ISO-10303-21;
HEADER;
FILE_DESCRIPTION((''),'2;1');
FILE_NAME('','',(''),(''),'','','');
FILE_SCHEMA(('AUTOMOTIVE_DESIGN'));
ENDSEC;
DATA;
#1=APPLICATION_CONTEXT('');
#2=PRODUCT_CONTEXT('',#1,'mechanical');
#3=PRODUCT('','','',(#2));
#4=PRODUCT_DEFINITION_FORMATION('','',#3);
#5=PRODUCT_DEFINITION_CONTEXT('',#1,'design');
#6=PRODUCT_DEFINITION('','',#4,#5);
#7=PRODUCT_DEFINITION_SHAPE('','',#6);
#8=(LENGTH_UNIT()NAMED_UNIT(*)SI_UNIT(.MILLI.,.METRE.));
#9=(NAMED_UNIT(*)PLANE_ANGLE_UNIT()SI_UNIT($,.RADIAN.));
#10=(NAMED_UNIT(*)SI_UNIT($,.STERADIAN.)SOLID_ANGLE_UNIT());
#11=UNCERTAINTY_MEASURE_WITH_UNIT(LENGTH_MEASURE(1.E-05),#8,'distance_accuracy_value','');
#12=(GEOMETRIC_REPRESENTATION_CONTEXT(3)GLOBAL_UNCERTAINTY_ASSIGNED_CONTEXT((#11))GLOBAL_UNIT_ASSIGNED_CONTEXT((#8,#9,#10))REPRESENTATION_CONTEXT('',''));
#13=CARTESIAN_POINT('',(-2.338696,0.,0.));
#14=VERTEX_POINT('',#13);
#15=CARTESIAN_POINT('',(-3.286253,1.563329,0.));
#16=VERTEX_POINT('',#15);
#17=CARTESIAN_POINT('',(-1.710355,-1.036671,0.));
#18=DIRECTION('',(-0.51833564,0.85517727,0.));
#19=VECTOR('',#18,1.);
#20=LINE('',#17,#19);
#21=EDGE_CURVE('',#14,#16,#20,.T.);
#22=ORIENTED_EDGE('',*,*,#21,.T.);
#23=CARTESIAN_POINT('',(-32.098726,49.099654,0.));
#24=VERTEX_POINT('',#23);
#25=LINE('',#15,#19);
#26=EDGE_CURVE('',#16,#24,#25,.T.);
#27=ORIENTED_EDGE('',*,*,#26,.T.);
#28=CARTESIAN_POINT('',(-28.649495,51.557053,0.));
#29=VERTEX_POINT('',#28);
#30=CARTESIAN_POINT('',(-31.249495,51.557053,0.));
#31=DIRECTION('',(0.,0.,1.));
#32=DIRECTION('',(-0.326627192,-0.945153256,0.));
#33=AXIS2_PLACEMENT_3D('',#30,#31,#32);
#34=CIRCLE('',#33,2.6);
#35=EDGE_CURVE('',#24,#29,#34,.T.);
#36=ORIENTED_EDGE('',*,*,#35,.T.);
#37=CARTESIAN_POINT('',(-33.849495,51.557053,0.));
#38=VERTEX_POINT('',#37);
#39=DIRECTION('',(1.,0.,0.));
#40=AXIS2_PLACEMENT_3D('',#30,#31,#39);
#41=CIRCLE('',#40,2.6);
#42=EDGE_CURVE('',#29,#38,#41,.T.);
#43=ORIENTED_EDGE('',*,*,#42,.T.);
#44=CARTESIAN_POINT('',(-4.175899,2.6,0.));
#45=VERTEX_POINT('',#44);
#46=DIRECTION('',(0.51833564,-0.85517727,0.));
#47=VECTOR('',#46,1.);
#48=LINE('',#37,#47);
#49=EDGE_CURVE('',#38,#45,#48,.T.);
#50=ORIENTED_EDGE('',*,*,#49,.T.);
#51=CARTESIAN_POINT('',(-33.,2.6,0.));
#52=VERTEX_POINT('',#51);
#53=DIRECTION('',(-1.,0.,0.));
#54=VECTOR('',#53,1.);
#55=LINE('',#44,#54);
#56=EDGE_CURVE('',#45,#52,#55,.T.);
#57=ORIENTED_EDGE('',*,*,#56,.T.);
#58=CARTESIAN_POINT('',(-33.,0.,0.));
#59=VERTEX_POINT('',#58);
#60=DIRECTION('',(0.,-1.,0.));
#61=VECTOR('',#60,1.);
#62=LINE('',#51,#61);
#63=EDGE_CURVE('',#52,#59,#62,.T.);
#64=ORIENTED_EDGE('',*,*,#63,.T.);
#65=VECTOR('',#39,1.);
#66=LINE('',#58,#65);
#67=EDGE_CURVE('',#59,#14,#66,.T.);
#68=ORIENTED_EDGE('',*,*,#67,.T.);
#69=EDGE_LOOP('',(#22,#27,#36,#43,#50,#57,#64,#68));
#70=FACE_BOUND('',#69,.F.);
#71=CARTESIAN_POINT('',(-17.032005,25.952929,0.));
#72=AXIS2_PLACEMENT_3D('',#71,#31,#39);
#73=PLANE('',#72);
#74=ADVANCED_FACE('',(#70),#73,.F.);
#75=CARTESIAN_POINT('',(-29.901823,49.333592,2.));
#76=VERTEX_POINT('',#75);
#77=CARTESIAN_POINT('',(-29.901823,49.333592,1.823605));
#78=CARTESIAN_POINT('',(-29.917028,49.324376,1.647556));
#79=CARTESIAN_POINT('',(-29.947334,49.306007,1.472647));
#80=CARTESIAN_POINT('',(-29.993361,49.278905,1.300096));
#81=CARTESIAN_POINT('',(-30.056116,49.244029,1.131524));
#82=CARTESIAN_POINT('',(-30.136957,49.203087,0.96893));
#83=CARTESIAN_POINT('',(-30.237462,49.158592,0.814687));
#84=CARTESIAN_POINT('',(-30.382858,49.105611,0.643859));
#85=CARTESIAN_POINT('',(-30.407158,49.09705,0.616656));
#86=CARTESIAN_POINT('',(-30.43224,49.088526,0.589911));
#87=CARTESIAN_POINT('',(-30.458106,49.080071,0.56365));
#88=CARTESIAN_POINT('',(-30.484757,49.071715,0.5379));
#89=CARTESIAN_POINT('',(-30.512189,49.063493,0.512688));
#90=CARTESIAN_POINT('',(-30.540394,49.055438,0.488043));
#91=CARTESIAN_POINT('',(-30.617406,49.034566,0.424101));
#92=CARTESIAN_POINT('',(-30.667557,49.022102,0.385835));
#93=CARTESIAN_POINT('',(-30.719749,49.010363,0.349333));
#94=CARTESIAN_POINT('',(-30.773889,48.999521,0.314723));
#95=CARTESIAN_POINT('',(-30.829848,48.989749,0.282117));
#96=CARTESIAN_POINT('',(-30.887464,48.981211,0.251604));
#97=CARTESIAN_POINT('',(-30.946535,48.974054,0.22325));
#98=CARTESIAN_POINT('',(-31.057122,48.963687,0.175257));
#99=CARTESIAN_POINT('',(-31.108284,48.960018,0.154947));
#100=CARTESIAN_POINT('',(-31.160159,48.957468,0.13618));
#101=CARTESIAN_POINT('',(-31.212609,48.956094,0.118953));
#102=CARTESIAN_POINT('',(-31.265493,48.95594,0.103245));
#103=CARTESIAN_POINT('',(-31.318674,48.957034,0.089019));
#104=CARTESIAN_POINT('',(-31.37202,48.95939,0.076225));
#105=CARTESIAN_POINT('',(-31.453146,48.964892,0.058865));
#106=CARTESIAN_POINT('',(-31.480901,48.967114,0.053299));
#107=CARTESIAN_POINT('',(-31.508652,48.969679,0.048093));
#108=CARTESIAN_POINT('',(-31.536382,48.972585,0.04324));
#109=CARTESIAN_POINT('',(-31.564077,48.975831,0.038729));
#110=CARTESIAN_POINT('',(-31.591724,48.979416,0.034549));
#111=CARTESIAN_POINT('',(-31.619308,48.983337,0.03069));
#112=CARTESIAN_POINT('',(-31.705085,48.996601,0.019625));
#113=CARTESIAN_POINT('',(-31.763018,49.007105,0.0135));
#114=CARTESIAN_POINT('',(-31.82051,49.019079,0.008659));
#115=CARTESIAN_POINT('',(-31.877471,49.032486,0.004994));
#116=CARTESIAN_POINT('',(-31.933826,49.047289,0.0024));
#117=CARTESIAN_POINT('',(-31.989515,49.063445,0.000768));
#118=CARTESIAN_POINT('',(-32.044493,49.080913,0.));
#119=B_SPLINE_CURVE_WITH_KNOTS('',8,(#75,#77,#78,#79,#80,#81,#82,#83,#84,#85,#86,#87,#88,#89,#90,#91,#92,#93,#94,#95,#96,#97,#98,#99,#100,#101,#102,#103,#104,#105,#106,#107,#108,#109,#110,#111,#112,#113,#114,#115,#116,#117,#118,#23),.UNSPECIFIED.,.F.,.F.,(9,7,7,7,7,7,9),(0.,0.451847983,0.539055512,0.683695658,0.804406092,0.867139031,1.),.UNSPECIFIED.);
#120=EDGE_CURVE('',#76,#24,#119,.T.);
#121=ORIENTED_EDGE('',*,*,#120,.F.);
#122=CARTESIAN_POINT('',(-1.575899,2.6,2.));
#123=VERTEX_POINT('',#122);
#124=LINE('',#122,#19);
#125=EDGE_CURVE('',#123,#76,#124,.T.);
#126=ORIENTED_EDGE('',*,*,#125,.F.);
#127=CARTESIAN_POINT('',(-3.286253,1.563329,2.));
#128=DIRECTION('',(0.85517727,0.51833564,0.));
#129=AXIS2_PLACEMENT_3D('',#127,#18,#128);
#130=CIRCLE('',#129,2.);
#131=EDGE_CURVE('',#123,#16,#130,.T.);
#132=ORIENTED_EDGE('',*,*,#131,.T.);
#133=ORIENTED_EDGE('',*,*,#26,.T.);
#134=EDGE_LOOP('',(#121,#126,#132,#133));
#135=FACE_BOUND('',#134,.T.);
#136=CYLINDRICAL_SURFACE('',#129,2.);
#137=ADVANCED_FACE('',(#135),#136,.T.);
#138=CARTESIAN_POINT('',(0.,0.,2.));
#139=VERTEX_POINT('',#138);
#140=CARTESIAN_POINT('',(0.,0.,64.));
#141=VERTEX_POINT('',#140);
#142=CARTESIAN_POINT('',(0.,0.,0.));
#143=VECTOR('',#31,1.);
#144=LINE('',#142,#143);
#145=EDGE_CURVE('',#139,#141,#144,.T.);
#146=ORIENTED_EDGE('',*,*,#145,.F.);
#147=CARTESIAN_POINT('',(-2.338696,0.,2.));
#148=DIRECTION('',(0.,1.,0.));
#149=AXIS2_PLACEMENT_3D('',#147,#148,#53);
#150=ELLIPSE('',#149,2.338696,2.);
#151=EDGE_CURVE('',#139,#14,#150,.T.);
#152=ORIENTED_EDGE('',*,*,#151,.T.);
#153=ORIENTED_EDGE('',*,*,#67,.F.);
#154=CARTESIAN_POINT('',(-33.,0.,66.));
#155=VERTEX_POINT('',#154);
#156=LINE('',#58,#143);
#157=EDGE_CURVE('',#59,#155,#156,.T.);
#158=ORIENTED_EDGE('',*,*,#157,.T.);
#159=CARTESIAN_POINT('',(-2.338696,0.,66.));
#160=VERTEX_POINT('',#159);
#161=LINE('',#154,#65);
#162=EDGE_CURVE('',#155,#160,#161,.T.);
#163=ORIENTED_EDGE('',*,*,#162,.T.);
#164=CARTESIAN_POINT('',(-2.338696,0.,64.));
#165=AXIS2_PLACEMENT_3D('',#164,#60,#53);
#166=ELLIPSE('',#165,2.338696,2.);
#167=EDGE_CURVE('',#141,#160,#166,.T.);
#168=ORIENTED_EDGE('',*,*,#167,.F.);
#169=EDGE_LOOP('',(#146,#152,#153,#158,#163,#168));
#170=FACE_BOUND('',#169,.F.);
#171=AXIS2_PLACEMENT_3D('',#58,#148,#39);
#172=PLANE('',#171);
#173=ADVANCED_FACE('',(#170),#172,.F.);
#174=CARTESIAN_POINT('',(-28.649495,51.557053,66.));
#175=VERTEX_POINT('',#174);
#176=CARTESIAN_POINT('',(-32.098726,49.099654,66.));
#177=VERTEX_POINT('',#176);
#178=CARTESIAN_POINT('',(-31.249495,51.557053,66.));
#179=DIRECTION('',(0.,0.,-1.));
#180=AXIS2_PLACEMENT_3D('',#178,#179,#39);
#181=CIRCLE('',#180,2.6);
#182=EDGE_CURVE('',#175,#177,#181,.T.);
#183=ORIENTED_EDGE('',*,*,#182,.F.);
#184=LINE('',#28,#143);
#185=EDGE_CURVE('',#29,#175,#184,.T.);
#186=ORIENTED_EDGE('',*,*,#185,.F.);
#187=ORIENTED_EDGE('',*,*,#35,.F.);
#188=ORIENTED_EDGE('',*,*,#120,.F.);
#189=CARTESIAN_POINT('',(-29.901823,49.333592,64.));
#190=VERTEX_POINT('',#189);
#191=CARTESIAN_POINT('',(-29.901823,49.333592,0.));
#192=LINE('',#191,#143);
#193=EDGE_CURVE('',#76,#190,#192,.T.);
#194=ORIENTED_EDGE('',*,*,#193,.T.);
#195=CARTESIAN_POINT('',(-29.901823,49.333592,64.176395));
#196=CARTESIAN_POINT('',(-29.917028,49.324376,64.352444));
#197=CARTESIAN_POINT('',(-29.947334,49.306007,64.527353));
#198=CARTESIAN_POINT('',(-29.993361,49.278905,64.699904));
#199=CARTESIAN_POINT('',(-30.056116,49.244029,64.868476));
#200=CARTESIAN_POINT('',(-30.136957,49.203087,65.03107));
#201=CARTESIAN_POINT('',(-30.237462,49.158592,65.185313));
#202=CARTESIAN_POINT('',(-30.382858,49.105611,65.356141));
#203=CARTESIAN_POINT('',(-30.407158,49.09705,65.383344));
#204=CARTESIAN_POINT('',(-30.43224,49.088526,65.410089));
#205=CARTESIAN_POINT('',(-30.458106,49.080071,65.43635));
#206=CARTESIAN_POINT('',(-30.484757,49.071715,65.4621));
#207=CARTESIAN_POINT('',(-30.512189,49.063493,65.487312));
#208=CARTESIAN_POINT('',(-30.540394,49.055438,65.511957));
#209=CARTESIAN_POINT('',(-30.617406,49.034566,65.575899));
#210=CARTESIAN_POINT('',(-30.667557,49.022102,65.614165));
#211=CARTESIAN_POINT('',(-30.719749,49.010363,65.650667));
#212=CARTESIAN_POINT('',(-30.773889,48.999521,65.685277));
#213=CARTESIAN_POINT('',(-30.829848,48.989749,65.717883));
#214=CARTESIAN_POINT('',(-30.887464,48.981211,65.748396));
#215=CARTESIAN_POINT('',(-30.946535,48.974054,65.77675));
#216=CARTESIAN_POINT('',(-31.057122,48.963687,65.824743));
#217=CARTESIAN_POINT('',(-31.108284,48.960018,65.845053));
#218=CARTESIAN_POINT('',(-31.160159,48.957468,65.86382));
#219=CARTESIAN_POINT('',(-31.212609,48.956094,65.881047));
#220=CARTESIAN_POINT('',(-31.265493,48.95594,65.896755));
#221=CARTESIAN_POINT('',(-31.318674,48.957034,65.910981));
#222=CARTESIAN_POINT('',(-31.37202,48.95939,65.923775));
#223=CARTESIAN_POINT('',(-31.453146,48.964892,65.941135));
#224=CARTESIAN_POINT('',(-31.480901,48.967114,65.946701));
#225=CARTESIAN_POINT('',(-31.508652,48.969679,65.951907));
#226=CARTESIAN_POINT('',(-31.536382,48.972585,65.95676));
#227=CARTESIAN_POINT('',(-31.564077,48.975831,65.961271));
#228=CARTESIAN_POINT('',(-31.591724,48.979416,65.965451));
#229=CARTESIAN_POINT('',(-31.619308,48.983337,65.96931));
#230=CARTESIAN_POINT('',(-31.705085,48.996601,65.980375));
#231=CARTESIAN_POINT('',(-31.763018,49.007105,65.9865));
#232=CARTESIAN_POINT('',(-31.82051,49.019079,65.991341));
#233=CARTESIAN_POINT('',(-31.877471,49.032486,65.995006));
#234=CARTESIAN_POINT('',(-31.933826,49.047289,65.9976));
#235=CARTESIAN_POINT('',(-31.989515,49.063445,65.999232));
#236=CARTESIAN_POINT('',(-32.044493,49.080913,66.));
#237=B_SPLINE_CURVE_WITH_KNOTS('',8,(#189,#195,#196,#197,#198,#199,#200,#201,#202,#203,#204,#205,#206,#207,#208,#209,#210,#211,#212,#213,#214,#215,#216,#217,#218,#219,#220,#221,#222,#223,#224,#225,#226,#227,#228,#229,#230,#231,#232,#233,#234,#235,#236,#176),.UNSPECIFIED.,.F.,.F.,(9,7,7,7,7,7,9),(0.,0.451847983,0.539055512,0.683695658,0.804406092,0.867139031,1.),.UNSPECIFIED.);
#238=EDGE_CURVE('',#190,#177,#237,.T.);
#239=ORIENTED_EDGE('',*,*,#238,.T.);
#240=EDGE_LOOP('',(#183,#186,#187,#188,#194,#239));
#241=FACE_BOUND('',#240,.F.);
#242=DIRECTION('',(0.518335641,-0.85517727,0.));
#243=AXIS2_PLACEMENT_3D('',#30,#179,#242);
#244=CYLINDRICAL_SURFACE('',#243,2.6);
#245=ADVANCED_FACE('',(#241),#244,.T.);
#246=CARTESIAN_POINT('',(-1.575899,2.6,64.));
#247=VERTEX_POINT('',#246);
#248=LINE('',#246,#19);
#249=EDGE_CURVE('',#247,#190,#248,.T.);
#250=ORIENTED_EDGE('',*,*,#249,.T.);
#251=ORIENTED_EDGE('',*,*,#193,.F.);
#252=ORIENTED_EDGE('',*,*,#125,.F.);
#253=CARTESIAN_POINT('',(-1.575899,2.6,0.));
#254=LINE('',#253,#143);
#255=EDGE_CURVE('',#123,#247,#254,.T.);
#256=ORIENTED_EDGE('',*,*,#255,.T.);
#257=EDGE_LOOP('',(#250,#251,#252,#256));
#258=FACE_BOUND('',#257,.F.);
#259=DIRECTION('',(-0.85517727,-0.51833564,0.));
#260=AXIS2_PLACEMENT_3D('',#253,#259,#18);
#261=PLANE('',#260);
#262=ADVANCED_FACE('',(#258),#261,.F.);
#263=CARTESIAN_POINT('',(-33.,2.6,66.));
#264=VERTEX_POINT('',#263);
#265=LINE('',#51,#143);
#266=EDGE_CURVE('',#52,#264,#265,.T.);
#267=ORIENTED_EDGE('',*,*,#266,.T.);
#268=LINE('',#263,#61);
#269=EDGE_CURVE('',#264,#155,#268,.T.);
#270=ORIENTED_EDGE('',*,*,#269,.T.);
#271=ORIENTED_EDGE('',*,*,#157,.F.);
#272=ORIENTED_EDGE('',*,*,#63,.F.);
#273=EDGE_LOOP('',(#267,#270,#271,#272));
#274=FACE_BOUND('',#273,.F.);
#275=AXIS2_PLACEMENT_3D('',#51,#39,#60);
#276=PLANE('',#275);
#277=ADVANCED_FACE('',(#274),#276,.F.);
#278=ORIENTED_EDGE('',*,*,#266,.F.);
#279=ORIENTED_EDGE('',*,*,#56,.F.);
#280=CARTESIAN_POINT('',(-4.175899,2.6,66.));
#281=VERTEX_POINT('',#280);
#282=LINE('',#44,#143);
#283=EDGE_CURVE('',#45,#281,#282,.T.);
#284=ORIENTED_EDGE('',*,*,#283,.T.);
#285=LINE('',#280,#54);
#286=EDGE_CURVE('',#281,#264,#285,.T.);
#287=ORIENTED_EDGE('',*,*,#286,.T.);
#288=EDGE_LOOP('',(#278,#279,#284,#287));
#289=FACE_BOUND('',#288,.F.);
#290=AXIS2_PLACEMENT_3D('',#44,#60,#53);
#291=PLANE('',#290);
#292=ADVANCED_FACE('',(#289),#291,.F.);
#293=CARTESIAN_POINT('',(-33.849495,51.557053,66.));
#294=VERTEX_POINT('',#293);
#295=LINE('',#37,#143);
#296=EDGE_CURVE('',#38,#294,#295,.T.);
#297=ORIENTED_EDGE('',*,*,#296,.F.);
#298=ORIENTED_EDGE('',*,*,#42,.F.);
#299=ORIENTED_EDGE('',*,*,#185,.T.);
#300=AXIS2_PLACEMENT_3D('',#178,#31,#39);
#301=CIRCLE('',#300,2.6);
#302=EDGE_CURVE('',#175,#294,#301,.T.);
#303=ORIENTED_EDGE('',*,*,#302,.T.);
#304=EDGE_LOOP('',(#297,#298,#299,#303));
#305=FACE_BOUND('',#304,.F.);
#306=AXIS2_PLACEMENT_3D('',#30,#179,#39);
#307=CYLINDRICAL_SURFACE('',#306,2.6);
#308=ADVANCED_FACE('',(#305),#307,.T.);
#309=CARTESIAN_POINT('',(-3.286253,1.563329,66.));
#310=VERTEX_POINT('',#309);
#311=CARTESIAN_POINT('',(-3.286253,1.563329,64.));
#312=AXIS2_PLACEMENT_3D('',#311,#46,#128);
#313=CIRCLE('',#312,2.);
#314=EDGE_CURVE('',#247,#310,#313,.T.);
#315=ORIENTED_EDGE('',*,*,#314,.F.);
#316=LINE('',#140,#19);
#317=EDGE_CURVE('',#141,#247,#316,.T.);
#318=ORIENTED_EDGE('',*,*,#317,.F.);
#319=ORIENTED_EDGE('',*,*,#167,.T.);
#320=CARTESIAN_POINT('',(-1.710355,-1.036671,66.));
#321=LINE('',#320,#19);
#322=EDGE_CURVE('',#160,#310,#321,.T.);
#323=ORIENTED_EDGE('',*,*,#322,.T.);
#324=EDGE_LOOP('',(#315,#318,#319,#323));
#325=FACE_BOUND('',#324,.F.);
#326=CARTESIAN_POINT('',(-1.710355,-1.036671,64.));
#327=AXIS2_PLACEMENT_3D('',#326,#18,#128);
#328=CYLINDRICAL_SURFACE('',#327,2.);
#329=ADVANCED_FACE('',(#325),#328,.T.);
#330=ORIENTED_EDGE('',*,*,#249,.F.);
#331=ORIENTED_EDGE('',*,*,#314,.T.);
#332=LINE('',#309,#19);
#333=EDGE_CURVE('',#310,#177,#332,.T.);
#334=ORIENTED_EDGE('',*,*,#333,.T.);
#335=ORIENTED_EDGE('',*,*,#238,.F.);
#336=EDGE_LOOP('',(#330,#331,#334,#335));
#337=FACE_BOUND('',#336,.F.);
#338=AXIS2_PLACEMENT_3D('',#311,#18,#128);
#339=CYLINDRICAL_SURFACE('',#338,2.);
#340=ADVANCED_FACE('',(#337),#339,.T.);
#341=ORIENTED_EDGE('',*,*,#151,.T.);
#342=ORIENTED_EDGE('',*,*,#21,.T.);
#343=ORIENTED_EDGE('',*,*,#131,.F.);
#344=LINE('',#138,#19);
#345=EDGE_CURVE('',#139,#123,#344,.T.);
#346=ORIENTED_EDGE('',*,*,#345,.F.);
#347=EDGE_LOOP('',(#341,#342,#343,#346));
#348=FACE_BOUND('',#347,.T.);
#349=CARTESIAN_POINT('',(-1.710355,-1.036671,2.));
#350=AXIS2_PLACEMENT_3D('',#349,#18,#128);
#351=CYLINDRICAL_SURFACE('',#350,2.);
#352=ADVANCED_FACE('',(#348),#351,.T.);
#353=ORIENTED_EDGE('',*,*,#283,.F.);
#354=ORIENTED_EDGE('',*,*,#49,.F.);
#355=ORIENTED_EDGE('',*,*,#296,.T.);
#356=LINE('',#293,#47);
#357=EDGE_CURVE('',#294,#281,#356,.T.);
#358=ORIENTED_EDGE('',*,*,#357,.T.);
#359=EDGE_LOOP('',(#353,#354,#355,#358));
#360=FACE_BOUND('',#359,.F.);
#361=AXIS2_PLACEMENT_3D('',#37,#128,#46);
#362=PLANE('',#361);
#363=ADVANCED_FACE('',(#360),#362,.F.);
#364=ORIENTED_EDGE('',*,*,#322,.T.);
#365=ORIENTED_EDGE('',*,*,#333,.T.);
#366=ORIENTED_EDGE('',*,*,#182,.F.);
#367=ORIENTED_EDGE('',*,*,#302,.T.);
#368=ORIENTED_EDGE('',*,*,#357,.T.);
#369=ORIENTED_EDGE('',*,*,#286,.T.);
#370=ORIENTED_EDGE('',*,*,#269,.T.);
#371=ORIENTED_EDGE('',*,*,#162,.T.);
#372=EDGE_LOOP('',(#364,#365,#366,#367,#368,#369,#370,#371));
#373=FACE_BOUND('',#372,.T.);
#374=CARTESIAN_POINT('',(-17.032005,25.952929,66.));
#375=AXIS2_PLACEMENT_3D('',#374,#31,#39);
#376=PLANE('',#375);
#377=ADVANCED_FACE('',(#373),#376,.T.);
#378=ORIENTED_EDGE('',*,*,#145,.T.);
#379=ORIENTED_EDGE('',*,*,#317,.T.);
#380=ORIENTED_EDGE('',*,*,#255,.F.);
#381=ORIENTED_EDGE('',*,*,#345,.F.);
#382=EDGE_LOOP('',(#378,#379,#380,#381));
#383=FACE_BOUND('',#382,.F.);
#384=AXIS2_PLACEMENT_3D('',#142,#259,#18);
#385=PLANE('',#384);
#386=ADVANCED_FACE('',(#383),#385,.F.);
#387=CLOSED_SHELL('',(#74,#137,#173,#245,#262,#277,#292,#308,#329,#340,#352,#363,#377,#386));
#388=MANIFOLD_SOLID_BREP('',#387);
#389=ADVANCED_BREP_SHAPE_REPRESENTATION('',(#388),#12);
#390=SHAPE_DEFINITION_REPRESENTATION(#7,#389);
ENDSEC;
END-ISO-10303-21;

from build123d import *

# Parameters (mm, degrees)
F1_DEPTH = 66
F2_R     = 2


with BuildPart() as f1:
    # F0 (on Top) → F1 (new body)
    with BuildSketch(Plane.XY):
        with BuildLine():
            Line((-4.1758986024, 2.6), (-1.5758986024, 2.6))
            Line((-1.5758986024, 2.6), (-29.9018225579, 49.3335919775))
            ThreePointArc((-29.9018225579, 49.3335919775), (-31.1664206107, 48.9583804101), (-32.452401675, 49.252054818))
            Line((-32.452401675, 49.252054818), (-4.1758986024, 2.6))
        make_face()
        with BuildLine():
            Line((-31.2494952232, 51.5570528805), (-29.9018225579, 49.3335919775))
            ThreePointArc((-29.9018225579, 49.3335919775), (-28.9841090608, 50.2811118415), (-28.6494952232, 51.5570528805))
            ThreePointArc((-28.6494952232, 51.5570528805), (-31.2494952232, 54.1570528805), (-33.8494952232, 51.5570528805))
            Line((-33.8494952232, 51.5570528805), (-31.2494952232, 51.5570528805))
        make_face()
        with BuildLine():
            ThreePointArc((-32.452401675, 49.252054818), (-31.1664206107, 48.9583804101), (-29.9018225579, 49.3335919775))
            Line((-29.9018225579, 49.3335919775), (-31.2494952232, 51.5570528805))
            Line((-31.2494952232, 51.5570528805), (-33.8494952232, 51.5570528805))
            Line((-33.8494952232, 51.5570528805), (-32.452401675, 49.252054818))
        make_face()
        Polygon((-33, 0), (0, 0), (-1.5758986024, 2.6), (-4.1758986024, 2.6), (-33, 2.6), align=None)
    extrude(amount=F1_DEPTH)

    # F2
    f2_edges = [f1.edges().sort_by_distance(p)[0] for p in [
        (-14.950911, 24.666796, 66),
        (-14.950911, 24.666796, 0),
    ]]
    fillet(f2_edges, radius=F2_R)


solid = f1.part
